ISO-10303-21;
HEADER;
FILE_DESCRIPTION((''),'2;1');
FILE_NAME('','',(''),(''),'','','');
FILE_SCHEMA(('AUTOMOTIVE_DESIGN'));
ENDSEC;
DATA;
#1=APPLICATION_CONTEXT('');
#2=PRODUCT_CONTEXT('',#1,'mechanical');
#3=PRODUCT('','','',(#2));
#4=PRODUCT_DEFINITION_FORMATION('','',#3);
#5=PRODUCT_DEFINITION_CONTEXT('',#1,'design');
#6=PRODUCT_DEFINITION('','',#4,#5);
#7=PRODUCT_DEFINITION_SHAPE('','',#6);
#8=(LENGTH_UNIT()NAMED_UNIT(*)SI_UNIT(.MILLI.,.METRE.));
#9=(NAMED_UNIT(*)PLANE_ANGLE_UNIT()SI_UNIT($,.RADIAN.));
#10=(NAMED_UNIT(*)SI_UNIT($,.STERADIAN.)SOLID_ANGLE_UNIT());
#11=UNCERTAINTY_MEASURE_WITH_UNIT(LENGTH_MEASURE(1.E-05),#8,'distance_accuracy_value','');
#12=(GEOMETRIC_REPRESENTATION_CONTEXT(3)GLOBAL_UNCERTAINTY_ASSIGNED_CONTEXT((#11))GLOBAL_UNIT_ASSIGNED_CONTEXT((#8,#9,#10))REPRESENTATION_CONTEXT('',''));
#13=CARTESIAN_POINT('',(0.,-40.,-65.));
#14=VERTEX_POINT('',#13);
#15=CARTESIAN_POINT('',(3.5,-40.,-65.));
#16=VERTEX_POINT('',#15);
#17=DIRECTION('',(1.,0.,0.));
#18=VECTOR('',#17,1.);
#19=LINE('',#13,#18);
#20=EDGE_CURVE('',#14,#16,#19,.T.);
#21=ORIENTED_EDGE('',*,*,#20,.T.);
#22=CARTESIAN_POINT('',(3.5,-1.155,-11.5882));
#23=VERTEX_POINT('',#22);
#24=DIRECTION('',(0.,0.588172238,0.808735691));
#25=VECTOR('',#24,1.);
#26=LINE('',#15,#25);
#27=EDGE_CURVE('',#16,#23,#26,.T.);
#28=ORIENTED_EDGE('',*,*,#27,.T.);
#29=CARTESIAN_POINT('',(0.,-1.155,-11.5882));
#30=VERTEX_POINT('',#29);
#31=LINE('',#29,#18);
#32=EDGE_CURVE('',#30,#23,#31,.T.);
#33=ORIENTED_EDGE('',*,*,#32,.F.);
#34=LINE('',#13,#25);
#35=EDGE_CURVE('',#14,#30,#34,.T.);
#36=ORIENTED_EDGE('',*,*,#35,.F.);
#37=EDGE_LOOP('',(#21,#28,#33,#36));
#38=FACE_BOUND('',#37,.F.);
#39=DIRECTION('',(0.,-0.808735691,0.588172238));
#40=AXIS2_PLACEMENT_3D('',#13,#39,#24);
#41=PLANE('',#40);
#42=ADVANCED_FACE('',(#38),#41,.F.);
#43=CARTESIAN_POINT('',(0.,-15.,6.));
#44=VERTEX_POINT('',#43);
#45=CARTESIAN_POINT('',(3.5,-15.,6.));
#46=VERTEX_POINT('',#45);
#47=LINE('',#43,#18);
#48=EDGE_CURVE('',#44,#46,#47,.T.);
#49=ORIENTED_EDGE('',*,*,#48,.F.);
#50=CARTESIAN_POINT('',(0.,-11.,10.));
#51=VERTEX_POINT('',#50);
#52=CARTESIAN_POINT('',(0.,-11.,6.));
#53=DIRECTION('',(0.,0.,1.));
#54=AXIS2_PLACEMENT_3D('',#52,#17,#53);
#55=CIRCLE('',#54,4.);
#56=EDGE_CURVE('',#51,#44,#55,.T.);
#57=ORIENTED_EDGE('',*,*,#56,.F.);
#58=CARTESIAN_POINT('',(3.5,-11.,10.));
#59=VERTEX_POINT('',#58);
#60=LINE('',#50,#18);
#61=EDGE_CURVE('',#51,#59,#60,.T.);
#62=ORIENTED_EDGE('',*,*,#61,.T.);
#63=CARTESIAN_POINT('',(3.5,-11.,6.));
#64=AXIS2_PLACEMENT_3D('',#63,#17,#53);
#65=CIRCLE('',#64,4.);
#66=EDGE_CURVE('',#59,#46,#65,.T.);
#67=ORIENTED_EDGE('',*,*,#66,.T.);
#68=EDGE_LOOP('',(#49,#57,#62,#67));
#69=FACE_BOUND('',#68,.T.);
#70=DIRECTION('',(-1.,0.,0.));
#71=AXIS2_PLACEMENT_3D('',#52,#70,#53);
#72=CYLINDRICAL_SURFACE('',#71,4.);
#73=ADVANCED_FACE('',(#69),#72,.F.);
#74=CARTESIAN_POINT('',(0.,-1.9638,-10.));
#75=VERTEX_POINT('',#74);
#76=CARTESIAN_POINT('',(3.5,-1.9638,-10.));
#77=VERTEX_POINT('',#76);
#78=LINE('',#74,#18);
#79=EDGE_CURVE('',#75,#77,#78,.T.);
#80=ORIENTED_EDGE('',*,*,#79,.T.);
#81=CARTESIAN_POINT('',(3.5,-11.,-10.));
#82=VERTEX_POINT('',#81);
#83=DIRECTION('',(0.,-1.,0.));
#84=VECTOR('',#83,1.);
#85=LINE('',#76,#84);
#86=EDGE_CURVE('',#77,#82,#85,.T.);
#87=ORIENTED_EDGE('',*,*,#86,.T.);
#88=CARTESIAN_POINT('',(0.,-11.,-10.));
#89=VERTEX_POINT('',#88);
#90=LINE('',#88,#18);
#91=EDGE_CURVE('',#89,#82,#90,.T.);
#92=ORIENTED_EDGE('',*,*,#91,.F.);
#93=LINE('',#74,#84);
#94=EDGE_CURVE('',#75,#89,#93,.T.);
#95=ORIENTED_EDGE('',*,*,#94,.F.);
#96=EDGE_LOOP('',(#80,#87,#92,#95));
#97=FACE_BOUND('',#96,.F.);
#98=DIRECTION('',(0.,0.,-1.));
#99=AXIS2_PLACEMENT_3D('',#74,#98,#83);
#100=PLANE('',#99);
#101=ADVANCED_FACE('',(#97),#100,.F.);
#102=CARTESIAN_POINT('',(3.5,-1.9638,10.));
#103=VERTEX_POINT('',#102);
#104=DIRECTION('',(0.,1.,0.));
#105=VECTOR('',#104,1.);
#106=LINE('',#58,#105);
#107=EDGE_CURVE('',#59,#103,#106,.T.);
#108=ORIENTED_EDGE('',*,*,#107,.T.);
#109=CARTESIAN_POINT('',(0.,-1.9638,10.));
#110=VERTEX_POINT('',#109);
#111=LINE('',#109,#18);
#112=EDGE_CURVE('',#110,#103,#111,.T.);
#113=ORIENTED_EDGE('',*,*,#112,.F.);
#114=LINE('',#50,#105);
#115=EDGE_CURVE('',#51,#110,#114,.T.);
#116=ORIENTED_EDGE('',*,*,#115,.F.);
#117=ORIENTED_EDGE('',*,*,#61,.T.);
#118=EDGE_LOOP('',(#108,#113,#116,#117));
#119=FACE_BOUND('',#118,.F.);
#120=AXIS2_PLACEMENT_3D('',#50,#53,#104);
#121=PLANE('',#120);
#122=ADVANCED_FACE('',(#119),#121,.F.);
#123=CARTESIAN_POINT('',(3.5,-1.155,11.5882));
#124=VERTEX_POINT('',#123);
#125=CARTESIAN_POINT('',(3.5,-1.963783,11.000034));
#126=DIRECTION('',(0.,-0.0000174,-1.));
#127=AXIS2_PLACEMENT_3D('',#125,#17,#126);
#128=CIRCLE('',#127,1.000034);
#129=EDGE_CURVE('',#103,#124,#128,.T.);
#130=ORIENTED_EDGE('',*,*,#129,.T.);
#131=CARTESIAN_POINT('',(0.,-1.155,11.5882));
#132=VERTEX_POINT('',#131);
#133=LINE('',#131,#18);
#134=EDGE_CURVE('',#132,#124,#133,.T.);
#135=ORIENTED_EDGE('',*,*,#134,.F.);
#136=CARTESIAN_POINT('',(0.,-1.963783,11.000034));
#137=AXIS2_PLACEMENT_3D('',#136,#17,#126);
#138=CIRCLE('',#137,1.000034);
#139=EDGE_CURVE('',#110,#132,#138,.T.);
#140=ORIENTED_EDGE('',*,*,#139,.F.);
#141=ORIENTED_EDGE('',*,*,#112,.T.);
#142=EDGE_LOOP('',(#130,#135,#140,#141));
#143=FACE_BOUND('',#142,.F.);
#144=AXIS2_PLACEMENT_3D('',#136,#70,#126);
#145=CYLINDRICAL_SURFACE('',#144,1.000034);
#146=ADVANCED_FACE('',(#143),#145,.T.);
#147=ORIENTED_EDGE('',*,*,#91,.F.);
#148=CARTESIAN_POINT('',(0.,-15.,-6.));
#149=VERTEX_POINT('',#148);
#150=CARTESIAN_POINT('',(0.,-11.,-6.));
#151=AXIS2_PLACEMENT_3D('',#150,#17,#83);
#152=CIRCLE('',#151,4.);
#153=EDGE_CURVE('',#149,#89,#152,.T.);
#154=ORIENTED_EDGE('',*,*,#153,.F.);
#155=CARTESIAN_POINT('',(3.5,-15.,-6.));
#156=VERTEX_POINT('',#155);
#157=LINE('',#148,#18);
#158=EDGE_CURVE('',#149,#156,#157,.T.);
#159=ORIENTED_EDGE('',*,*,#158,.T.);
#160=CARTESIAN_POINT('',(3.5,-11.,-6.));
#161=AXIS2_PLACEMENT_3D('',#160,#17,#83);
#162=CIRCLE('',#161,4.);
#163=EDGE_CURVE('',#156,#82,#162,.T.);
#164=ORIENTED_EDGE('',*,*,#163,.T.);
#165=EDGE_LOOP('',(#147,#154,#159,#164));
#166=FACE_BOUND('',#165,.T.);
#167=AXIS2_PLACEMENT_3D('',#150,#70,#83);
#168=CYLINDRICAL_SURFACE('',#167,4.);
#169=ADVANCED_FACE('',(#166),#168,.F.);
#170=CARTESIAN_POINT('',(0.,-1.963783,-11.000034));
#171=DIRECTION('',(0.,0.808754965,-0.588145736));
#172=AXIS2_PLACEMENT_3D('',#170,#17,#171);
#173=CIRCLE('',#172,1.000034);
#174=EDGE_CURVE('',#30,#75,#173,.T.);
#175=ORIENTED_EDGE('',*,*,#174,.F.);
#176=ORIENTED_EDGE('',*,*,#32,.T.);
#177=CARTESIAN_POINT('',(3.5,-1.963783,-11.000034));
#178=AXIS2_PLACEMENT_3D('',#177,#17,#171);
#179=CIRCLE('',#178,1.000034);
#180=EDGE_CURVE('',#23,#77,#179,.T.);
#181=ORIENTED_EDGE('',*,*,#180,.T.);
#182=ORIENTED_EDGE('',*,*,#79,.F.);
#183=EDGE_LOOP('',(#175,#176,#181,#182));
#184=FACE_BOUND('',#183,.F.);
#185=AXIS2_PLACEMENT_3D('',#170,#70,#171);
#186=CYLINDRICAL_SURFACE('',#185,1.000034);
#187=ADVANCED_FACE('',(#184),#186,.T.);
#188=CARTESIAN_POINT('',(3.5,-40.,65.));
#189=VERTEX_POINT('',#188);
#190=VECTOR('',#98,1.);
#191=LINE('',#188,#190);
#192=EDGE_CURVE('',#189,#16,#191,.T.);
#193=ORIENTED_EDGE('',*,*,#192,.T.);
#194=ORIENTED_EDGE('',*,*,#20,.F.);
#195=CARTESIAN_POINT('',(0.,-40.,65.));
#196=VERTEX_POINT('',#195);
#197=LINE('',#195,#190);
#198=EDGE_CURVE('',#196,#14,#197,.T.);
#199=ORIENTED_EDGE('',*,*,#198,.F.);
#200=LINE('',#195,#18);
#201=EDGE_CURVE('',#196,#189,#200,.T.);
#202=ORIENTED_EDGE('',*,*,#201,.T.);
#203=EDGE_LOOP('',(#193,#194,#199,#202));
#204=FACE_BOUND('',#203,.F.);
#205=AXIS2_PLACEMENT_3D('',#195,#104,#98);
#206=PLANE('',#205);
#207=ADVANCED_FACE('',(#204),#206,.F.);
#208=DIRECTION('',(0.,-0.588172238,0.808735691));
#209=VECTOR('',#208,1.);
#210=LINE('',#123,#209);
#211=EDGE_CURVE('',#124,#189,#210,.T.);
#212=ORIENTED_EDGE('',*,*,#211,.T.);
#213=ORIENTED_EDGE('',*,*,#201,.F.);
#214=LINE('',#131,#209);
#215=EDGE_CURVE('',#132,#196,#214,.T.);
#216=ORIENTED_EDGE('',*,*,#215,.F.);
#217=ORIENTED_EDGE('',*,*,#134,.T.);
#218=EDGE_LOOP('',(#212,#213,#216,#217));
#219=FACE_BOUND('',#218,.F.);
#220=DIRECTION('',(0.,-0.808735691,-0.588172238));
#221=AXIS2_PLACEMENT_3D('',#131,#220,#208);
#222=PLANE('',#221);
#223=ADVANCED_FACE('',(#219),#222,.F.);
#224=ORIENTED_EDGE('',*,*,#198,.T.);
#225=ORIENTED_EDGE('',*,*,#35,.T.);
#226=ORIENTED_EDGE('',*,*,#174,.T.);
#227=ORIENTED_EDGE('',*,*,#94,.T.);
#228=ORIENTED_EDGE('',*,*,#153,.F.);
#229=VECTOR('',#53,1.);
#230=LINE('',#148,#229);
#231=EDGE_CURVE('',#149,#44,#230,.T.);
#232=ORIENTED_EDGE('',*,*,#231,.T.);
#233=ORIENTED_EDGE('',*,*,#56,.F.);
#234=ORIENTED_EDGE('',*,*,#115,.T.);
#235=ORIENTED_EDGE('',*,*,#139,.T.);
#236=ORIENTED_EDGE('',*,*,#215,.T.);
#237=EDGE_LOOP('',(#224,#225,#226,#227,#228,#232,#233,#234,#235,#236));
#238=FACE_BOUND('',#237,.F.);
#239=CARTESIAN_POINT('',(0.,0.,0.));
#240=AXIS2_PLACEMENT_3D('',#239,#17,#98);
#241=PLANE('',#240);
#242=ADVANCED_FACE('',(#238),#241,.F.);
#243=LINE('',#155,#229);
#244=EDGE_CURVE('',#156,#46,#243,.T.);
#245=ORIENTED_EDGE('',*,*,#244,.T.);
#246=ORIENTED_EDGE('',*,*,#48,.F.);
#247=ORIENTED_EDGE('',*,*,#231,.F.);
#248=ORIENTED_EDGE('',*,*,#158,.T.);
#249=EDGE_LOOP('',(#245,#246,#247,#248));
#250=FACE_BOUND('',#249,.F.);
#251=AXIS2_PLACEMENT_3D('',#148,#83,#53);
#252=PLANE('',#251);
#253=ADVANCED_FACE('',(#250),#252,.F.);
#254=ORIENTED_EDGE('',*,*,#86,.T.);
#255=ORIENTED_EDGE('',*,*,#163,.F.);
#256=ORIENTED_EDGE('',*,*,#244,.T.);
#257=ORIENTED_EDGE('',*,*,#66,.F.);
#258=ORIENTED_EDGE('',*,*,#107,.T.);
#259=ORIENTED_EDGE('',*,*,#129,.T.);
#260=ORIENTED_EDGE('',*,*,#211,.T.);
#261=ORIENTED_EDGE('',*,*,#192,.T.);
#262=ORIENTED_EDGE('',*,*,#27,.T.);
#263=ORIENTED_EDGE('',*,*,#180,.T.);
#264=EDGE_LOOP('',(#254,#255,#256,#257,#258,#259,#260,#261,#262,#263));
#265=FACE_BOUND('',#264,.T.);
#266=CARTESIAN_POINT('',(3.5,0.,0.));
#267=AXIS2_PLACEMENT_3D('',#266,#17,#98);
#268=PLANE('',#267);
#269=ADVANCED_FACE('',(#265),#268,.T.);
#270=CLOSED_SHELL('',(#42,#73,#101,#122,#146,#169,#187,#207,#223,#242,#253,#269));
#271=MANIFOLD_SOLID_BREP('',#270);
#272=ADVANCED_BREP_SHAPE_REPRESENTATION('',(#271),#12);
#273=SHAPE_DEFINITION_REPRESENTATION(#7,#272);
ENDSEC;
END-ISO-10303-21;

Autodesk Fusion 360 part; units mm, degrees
sketch "Sketch1" plane through (0, 0, 0) normal (1, 0, 0) x (0, 0, -1)
  line L0 (10, -1.9638) -> (10, -11)
  line L1 (6, -15) -> (-6, -15)
  line L2 (-10, -11) -> (-10, -1.9638)
  line L3 (-65, -40) -> (65, -40)
  line L4 (-11.5882, -1.155) -> (-65, -40)
  line L5 (65, -40) -> (11.5882, -1.155)
  arc A0 (-10, -11) -> (-6, -15) centre (-6, -11) ccw
  arc A1 (6, -15) -> (10, -11) centre (6, -11) ccw
  arc A2 (-10, -1.9638) -> (-11.5882, -1.155) centre (-11, -1.9638) ccw
  arc A3 (11.5882, -1.155) -> (10, -1.9638) centre (11, -1.9638) ccw
  point P0 (10, 0)
  dimension "d136" = 20
  dimension "d137" = 10
  dimension "d138" = 65
  dimension "d139" = 4
  dimension "d140" = 4
  dimension "d141" = 1
  dimension "d142" = 1
extrude "Extrude1" add sketch "Sketch1" along normal blind 3.5
equation "d138 = ( 130 / 2 ) * 1 mm"
